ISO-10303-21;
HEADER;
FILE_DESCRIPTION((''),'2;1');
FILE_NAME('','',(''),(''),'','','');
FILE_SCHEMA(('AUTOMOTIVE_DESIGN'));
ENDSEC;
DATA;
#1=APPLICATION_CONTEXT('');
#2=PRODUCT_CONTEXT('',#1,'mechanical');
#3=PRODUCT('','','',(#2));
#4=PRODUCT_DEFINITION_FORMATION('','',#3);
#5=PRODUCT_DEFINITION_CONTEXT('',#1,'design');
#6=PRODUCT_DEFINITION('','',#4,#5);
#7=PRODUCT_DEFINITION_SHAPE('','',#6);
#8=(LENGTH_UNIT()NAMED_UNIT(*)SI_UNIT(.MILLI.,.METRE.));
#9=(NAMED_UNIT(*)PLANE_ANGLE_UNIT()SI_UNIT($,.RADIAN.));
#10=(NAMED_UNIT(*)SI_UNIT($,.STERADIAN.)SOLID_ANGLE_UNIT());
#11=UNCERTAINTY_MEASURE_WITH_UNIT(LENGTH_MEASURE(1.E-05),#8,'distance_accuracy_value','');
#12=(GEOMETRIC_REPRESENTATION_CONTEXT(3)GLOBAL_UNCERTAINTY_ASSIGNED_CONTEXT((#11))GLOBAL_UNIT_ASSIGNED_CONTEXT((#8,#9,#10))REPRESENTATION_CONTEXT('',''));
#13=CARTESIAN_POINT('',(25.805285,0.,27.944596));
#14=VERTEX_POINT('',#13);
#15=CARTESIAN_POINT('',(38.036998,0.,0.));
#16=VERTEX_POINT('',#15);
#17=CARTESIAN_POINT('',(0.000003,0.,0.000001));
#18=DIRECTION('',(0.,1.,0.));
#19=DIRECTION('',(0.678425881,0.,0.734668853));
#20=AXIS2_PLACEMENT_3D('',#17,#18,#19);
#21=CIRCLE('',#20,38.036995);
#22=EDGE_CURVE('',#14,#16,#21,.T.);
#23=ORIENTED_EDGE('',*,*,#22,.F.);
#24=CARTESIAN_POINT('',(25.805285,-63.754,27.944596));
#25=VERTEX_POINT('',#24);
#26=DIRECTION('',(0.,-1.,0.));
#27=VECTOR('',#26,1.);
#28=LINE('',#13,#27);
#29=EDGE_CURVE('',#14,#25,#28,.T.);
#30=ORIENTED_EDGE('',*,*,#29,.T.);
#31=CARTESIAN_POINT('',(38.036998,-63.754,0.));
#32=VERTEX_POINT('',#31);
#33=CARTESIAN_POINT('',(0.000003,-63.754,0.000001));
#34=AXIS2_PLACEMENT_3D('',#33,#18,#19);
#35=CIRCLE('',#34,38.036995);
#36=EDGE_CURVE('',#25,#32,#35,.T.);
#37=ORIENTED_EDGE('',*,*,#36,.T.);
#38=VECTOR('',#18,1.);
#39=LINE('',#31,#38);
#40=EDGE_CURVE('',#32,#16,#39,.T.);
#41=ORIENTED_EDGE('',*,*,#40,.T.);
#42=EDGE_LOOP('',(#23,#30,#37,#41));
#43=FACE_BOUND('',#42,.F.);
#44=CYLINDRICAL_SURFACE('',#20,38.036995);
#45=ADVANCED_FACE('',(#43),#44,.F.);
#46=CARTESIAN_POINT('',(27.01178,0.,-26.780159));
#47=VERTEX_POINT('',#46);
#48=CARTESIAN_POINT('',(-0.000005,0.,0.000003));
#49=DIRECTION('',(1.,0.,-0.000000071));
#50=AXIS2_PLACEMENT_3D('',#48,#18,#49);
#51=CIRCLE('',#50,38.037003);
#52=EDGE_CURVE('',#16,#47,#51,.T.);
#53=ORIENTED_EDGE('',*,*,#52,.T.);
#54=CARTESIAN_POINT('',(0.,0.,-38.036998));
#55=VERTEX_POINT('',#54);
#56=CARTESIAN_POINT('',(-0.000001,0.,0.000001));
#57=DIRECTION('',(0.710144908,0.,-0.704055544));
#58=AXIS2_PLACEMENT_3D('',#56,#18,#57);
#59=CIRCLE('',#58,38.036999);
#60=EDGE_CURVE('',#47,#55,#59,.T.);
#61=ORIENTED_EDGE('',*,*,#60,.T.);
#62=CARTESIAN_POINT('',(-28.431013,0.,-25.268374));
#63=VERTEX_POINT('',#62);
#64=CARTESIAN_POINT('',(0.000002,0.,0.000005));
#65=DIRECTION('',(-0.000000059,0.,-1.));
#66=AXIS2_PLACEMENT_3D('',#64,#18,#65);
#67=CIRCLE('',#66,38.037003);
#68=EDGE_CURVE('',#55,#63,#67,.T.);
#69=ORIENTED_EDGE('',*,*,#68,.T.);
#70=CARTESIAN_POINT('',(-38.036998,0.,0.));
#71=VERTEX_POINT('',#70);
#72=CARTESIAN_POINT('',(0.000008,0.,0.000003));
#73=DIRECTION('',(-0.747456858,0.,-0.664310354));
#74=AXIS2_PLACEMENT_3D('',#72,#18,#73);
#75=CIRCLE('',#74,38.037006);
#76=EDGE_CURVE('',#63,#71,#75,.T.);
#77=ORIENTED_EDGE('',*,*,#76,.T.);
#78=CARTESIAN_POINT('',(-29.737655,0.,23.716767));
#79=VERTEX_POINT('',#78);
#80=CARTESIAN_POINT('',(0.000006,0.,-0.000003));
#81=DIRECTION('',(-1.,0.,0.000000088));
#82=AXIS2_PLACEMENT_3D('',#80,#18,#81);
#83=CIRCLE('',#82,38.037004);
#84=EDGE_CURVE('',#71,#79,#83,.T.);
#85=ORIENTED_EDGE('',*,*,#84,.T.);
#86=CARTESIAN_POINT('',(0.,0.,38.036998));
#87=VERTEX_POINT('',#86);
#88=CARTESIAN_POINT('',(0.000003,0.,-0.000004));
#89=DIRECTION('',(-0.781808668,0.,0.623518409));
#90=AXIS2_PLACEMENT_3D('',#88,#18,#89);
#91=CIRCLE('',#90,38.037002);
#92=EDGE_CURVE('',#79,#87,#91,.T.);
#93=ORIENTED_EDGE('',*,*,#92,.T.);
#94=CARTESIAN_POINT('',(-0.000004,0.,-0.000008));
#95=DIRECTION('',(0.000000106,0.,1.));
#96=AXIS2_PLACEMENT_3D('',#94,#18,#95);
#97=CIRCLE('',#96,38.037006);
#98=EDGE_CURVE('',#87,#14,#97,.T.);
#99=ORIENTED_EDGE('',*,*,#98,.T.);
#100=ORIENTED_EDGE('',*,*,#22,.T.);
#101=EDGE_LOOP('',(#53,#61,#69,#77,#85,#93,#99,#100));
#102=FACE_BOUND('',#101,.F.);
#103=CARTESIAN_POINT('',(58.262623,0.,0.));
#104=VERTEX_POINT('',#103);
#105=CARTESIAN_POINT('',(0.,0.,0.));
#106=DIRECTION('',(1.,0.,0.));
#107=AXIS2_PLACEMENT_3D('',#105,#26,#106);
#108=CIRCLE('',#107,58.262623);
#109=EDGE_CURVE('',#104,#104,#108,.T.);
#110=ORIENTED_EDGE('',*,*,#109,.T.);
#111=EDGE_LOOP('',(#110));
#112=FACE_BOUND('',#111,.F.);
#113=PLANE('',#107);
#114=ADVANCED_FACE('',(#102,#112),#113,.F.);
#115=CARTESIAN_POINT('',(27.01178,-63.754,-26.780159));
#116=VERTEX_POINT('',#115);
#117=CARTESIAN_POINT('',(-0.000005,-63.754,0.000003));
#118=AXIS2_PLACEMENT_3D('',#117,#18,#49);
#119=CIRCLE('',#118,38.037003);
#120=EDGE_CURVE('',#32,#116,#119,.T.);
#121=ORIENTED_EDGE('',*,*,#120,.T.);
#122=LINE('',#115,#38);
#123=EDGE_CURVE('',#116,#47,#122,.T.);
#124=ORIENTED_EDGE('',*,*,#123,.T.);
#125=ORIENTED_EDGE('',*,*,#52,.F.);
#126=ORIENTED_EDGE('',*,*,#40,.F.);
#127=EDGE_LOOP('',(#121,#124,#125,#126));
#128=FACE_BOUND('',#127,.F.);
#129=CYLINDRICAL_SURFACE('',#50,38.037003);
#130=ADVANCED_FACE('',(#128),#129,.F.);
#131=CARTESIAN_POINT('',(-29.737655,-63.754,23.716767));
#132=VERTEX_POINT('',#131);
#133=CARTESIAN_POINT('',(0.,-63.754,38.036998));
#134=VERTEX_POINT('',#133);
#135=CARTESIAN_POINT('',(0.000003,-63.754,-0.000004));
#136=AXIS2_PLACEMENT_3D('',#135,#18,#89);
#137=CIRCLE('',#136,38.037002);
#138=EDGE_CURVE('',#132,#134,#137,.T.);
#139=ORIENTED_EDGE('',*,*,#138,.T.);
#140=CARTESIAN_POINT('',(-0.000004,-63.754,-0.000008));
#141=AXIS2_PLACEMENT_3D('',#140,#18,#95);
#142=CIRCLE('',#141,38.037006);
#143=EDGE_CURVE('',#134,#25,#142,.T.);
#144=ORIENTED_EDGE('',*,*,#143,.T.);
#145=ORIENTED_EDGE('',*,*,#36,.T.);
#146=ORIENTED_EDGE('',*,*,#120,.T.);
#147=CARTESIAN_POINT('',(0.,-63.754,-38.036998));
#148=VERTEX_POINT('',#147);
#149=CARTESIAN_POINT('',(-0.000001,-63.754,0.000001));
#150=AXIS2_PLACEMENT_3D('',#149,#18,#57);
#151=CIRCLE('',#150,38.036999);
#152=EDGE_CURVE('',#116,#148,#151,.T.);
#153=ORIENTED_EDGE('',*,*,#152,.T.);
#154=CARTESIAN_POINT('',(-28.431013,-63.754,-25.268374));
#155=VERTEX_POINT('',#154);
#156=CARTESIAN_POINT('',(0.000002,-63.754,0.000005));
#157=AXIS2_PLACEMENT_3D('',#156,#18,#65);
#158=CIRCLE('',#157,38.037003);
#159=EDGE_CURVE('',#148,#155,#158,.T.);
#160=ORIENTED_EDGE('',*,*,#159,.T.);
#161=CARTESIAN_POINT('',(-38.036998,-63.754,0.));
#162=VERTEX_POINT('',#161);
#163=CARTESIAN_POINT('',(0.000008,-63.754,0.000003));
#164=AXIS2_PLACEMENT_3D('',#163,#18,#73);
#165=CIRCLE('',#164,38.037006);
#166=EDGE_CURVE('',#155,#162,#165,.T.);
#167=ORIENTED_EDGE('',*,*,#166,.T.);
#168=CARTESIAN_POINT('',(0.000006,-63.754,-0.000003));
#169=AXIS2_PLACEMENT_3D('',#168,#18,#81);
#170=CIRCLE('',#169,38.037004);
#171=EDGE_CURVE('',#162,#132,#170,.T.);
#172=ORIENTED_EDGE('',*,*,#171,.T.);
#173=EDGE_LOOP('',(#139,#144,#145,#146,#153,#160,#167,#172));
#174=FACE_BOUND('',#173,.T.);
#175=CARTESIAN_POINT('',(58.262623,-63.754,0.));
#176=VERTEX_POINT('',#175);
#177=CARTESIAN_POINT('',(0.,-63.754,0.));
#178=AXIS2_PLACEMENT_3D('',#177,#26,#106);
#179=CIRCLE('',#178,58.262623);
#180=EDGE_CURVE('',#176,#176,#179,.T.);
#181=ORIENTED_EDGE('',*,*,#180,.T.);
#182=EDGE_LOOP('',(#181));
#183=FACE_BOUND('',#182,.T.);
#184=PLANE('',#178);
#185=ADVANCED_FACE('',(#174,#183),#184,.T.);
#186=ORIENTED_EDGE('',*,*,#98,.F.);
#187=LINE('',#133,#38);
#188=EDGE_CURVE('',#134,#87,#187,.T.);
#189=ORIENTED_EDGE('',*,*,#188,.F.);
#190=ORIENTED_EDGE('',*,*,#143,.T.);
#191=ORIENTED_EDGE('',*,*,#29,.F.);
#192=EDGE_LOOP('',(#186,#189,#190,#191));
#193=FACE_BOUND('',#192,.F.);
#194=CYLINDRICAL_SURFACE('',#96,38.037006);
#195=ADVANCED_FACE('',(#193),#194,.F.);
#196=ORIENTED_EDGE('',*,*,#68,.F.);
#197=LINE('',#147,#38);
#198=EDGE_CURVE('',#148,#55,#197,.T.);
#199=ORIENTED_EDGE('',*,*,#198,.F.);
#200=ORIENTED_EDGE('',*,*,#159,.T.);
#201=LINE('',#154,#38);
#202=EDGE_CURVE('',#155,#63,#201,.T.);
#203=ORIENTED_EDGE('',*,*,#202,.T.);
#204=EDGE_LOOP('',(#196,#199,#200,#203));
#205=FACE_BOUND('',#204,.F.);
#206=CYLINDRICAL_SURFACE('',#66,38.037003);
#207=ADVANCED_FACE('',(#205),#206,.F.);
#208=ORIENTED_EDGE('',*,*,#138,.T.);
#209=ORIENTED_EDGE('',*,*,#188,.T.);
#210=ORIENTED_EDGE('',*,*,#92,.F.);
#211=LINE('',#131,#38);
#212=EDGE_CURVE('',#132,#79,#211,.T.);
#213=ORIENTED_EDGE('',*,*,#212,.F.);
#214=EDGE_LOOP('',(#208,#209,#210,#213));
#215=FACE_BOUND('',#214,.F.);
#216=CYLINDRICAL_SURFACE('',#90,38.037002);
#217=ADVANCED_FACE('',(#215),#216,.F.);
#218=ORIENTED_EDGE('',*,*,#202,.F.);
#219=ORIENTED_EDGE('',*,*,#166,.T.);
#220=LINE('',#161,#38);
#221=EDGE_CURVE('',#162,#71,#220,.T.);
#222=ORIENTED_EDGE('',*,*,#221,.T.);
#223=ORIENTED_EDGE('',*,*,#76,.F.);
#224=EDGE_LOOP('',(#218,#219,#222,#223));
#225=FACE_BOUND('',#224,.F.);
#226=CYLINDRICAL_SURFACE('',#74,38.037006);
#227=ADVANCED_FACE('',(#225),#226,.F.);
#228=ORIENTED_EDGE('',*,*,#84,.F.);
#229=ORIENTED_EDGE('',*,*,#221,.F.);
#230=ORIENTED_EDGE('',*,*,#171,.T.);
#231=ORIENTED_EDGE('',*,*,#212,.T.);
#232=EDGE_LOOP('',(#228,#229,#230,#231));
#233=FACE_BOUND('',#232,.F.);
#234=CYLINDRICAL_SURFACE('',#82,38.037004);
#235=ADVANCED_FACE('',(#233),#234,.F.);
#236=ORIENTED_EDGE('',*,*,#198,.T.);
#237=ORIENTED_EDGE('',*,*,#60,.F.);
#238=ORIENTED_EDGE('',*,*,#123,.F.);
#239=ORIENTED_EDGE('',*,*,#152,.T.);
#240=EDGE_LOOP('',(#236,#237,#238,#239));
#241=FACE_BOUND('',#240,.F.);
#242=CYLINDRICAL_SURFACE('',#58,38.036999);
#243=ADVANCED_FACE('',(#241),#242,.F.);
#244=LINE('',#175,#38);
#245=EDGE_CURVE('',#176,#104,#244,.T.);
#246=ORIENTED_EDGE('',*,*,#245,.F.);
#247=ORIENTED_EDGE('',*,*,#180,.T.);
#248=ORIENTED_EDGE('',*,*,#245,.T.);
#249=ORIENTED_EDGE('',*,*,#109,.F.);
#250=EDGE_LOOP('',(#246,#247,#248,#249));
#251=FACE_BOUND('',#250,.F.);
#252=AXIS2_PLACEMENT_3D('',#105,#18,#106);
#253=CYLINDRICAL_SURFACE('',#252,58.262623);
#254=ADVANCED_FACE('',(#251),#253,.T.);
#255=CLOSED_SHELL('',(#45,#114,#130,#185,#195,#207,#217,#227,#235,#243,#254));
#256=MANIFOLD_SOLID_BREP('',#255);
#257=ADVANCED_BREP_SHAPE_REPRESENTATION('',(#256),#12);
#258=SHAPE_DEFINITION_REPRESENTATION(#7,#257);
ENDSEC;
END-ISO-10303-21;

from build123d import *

# Parameters (mm, degrees)
F0_R     = 58.262623
F1_DEPTH = 34.544
F2_DEPTH = 63.754


with BuildPart() as f1:
    # F0 (on Front) → F1 (new body)
    with BuildSketch(Plane.XZ):
        Circle(F0_R)
        with BuildLine():
            ThreePointArc((25.805285, 27.944596), (34.845149, 15.252174), (38.036998, 0))
            ThreePointArc((38.036998, 0), (35.17286, -14.480438), (27.01178, -26.780159))
            ThreePointArc((27.01178, -26.780159), (14.631752, -35.110184), (0, -38.036998))
            ThreePointArc((0, -38.036998), (-15.583326, -34.698316), (-28.431013, -25.268374))
            ThreePointArc((-28.431013, -25.268374), (-35.55449, -13.516339), (-38.036998, 0))
            ThreePointArc((-38.036998, 0), (-35.902258, 12.56348), (-29.737655, 23.716767))
            ThreePointArc((-29.737655, 23.716767), (-16.503008, 34.270452), (0, 38.036998))
            ThreePointArc((0, 38.036998), (13.854325, 35.424156), (25.805285, 27.944596))
        make_face(mode=Mode.SUBTRACT)
    extrude(amount=F1_DEPTH)

    # F0 (on Front) → F2 (join)
    with BuildSketch(Plane.XZ):
        Circle(F0_R)
        with BuildLine():
            ThreePointArc((25.805285, 27.944596), (34.845149, 15.252174), (38.036998, 0))
            ThreePointArc((38.036998, 0), (35.17286, -14.480438), (27.01178, -26.780159))
            ThreePointArc((27.01178, -26.780159), (14.631752, -35.110184), (0, -38.036998))
            ThreePointArc((0, -38.036998), (-15.583326, -34.698316), (-28.431013, -25.268374))
            ThreePointArc((-28.431013, -25.268374), (-35.55449, -13.516339), (-38.036998, 0))
            ThreePointArc((-38.036998, 0), (-35.902258, 12.56348), (-29.737655, 23.716767))
            ThreePointArc((-29.737655, 23.716767), (-16.503008, 34.270452), (0, 38.036998))
            ThreePointArc((0, 38.036998), (13.854325, 35.424156), (25.805285, 27.944596))
        make_face(mode=Mode.SUBTRACT)
    extrude(amount=F2_DEPTH)


solid = f1.part
